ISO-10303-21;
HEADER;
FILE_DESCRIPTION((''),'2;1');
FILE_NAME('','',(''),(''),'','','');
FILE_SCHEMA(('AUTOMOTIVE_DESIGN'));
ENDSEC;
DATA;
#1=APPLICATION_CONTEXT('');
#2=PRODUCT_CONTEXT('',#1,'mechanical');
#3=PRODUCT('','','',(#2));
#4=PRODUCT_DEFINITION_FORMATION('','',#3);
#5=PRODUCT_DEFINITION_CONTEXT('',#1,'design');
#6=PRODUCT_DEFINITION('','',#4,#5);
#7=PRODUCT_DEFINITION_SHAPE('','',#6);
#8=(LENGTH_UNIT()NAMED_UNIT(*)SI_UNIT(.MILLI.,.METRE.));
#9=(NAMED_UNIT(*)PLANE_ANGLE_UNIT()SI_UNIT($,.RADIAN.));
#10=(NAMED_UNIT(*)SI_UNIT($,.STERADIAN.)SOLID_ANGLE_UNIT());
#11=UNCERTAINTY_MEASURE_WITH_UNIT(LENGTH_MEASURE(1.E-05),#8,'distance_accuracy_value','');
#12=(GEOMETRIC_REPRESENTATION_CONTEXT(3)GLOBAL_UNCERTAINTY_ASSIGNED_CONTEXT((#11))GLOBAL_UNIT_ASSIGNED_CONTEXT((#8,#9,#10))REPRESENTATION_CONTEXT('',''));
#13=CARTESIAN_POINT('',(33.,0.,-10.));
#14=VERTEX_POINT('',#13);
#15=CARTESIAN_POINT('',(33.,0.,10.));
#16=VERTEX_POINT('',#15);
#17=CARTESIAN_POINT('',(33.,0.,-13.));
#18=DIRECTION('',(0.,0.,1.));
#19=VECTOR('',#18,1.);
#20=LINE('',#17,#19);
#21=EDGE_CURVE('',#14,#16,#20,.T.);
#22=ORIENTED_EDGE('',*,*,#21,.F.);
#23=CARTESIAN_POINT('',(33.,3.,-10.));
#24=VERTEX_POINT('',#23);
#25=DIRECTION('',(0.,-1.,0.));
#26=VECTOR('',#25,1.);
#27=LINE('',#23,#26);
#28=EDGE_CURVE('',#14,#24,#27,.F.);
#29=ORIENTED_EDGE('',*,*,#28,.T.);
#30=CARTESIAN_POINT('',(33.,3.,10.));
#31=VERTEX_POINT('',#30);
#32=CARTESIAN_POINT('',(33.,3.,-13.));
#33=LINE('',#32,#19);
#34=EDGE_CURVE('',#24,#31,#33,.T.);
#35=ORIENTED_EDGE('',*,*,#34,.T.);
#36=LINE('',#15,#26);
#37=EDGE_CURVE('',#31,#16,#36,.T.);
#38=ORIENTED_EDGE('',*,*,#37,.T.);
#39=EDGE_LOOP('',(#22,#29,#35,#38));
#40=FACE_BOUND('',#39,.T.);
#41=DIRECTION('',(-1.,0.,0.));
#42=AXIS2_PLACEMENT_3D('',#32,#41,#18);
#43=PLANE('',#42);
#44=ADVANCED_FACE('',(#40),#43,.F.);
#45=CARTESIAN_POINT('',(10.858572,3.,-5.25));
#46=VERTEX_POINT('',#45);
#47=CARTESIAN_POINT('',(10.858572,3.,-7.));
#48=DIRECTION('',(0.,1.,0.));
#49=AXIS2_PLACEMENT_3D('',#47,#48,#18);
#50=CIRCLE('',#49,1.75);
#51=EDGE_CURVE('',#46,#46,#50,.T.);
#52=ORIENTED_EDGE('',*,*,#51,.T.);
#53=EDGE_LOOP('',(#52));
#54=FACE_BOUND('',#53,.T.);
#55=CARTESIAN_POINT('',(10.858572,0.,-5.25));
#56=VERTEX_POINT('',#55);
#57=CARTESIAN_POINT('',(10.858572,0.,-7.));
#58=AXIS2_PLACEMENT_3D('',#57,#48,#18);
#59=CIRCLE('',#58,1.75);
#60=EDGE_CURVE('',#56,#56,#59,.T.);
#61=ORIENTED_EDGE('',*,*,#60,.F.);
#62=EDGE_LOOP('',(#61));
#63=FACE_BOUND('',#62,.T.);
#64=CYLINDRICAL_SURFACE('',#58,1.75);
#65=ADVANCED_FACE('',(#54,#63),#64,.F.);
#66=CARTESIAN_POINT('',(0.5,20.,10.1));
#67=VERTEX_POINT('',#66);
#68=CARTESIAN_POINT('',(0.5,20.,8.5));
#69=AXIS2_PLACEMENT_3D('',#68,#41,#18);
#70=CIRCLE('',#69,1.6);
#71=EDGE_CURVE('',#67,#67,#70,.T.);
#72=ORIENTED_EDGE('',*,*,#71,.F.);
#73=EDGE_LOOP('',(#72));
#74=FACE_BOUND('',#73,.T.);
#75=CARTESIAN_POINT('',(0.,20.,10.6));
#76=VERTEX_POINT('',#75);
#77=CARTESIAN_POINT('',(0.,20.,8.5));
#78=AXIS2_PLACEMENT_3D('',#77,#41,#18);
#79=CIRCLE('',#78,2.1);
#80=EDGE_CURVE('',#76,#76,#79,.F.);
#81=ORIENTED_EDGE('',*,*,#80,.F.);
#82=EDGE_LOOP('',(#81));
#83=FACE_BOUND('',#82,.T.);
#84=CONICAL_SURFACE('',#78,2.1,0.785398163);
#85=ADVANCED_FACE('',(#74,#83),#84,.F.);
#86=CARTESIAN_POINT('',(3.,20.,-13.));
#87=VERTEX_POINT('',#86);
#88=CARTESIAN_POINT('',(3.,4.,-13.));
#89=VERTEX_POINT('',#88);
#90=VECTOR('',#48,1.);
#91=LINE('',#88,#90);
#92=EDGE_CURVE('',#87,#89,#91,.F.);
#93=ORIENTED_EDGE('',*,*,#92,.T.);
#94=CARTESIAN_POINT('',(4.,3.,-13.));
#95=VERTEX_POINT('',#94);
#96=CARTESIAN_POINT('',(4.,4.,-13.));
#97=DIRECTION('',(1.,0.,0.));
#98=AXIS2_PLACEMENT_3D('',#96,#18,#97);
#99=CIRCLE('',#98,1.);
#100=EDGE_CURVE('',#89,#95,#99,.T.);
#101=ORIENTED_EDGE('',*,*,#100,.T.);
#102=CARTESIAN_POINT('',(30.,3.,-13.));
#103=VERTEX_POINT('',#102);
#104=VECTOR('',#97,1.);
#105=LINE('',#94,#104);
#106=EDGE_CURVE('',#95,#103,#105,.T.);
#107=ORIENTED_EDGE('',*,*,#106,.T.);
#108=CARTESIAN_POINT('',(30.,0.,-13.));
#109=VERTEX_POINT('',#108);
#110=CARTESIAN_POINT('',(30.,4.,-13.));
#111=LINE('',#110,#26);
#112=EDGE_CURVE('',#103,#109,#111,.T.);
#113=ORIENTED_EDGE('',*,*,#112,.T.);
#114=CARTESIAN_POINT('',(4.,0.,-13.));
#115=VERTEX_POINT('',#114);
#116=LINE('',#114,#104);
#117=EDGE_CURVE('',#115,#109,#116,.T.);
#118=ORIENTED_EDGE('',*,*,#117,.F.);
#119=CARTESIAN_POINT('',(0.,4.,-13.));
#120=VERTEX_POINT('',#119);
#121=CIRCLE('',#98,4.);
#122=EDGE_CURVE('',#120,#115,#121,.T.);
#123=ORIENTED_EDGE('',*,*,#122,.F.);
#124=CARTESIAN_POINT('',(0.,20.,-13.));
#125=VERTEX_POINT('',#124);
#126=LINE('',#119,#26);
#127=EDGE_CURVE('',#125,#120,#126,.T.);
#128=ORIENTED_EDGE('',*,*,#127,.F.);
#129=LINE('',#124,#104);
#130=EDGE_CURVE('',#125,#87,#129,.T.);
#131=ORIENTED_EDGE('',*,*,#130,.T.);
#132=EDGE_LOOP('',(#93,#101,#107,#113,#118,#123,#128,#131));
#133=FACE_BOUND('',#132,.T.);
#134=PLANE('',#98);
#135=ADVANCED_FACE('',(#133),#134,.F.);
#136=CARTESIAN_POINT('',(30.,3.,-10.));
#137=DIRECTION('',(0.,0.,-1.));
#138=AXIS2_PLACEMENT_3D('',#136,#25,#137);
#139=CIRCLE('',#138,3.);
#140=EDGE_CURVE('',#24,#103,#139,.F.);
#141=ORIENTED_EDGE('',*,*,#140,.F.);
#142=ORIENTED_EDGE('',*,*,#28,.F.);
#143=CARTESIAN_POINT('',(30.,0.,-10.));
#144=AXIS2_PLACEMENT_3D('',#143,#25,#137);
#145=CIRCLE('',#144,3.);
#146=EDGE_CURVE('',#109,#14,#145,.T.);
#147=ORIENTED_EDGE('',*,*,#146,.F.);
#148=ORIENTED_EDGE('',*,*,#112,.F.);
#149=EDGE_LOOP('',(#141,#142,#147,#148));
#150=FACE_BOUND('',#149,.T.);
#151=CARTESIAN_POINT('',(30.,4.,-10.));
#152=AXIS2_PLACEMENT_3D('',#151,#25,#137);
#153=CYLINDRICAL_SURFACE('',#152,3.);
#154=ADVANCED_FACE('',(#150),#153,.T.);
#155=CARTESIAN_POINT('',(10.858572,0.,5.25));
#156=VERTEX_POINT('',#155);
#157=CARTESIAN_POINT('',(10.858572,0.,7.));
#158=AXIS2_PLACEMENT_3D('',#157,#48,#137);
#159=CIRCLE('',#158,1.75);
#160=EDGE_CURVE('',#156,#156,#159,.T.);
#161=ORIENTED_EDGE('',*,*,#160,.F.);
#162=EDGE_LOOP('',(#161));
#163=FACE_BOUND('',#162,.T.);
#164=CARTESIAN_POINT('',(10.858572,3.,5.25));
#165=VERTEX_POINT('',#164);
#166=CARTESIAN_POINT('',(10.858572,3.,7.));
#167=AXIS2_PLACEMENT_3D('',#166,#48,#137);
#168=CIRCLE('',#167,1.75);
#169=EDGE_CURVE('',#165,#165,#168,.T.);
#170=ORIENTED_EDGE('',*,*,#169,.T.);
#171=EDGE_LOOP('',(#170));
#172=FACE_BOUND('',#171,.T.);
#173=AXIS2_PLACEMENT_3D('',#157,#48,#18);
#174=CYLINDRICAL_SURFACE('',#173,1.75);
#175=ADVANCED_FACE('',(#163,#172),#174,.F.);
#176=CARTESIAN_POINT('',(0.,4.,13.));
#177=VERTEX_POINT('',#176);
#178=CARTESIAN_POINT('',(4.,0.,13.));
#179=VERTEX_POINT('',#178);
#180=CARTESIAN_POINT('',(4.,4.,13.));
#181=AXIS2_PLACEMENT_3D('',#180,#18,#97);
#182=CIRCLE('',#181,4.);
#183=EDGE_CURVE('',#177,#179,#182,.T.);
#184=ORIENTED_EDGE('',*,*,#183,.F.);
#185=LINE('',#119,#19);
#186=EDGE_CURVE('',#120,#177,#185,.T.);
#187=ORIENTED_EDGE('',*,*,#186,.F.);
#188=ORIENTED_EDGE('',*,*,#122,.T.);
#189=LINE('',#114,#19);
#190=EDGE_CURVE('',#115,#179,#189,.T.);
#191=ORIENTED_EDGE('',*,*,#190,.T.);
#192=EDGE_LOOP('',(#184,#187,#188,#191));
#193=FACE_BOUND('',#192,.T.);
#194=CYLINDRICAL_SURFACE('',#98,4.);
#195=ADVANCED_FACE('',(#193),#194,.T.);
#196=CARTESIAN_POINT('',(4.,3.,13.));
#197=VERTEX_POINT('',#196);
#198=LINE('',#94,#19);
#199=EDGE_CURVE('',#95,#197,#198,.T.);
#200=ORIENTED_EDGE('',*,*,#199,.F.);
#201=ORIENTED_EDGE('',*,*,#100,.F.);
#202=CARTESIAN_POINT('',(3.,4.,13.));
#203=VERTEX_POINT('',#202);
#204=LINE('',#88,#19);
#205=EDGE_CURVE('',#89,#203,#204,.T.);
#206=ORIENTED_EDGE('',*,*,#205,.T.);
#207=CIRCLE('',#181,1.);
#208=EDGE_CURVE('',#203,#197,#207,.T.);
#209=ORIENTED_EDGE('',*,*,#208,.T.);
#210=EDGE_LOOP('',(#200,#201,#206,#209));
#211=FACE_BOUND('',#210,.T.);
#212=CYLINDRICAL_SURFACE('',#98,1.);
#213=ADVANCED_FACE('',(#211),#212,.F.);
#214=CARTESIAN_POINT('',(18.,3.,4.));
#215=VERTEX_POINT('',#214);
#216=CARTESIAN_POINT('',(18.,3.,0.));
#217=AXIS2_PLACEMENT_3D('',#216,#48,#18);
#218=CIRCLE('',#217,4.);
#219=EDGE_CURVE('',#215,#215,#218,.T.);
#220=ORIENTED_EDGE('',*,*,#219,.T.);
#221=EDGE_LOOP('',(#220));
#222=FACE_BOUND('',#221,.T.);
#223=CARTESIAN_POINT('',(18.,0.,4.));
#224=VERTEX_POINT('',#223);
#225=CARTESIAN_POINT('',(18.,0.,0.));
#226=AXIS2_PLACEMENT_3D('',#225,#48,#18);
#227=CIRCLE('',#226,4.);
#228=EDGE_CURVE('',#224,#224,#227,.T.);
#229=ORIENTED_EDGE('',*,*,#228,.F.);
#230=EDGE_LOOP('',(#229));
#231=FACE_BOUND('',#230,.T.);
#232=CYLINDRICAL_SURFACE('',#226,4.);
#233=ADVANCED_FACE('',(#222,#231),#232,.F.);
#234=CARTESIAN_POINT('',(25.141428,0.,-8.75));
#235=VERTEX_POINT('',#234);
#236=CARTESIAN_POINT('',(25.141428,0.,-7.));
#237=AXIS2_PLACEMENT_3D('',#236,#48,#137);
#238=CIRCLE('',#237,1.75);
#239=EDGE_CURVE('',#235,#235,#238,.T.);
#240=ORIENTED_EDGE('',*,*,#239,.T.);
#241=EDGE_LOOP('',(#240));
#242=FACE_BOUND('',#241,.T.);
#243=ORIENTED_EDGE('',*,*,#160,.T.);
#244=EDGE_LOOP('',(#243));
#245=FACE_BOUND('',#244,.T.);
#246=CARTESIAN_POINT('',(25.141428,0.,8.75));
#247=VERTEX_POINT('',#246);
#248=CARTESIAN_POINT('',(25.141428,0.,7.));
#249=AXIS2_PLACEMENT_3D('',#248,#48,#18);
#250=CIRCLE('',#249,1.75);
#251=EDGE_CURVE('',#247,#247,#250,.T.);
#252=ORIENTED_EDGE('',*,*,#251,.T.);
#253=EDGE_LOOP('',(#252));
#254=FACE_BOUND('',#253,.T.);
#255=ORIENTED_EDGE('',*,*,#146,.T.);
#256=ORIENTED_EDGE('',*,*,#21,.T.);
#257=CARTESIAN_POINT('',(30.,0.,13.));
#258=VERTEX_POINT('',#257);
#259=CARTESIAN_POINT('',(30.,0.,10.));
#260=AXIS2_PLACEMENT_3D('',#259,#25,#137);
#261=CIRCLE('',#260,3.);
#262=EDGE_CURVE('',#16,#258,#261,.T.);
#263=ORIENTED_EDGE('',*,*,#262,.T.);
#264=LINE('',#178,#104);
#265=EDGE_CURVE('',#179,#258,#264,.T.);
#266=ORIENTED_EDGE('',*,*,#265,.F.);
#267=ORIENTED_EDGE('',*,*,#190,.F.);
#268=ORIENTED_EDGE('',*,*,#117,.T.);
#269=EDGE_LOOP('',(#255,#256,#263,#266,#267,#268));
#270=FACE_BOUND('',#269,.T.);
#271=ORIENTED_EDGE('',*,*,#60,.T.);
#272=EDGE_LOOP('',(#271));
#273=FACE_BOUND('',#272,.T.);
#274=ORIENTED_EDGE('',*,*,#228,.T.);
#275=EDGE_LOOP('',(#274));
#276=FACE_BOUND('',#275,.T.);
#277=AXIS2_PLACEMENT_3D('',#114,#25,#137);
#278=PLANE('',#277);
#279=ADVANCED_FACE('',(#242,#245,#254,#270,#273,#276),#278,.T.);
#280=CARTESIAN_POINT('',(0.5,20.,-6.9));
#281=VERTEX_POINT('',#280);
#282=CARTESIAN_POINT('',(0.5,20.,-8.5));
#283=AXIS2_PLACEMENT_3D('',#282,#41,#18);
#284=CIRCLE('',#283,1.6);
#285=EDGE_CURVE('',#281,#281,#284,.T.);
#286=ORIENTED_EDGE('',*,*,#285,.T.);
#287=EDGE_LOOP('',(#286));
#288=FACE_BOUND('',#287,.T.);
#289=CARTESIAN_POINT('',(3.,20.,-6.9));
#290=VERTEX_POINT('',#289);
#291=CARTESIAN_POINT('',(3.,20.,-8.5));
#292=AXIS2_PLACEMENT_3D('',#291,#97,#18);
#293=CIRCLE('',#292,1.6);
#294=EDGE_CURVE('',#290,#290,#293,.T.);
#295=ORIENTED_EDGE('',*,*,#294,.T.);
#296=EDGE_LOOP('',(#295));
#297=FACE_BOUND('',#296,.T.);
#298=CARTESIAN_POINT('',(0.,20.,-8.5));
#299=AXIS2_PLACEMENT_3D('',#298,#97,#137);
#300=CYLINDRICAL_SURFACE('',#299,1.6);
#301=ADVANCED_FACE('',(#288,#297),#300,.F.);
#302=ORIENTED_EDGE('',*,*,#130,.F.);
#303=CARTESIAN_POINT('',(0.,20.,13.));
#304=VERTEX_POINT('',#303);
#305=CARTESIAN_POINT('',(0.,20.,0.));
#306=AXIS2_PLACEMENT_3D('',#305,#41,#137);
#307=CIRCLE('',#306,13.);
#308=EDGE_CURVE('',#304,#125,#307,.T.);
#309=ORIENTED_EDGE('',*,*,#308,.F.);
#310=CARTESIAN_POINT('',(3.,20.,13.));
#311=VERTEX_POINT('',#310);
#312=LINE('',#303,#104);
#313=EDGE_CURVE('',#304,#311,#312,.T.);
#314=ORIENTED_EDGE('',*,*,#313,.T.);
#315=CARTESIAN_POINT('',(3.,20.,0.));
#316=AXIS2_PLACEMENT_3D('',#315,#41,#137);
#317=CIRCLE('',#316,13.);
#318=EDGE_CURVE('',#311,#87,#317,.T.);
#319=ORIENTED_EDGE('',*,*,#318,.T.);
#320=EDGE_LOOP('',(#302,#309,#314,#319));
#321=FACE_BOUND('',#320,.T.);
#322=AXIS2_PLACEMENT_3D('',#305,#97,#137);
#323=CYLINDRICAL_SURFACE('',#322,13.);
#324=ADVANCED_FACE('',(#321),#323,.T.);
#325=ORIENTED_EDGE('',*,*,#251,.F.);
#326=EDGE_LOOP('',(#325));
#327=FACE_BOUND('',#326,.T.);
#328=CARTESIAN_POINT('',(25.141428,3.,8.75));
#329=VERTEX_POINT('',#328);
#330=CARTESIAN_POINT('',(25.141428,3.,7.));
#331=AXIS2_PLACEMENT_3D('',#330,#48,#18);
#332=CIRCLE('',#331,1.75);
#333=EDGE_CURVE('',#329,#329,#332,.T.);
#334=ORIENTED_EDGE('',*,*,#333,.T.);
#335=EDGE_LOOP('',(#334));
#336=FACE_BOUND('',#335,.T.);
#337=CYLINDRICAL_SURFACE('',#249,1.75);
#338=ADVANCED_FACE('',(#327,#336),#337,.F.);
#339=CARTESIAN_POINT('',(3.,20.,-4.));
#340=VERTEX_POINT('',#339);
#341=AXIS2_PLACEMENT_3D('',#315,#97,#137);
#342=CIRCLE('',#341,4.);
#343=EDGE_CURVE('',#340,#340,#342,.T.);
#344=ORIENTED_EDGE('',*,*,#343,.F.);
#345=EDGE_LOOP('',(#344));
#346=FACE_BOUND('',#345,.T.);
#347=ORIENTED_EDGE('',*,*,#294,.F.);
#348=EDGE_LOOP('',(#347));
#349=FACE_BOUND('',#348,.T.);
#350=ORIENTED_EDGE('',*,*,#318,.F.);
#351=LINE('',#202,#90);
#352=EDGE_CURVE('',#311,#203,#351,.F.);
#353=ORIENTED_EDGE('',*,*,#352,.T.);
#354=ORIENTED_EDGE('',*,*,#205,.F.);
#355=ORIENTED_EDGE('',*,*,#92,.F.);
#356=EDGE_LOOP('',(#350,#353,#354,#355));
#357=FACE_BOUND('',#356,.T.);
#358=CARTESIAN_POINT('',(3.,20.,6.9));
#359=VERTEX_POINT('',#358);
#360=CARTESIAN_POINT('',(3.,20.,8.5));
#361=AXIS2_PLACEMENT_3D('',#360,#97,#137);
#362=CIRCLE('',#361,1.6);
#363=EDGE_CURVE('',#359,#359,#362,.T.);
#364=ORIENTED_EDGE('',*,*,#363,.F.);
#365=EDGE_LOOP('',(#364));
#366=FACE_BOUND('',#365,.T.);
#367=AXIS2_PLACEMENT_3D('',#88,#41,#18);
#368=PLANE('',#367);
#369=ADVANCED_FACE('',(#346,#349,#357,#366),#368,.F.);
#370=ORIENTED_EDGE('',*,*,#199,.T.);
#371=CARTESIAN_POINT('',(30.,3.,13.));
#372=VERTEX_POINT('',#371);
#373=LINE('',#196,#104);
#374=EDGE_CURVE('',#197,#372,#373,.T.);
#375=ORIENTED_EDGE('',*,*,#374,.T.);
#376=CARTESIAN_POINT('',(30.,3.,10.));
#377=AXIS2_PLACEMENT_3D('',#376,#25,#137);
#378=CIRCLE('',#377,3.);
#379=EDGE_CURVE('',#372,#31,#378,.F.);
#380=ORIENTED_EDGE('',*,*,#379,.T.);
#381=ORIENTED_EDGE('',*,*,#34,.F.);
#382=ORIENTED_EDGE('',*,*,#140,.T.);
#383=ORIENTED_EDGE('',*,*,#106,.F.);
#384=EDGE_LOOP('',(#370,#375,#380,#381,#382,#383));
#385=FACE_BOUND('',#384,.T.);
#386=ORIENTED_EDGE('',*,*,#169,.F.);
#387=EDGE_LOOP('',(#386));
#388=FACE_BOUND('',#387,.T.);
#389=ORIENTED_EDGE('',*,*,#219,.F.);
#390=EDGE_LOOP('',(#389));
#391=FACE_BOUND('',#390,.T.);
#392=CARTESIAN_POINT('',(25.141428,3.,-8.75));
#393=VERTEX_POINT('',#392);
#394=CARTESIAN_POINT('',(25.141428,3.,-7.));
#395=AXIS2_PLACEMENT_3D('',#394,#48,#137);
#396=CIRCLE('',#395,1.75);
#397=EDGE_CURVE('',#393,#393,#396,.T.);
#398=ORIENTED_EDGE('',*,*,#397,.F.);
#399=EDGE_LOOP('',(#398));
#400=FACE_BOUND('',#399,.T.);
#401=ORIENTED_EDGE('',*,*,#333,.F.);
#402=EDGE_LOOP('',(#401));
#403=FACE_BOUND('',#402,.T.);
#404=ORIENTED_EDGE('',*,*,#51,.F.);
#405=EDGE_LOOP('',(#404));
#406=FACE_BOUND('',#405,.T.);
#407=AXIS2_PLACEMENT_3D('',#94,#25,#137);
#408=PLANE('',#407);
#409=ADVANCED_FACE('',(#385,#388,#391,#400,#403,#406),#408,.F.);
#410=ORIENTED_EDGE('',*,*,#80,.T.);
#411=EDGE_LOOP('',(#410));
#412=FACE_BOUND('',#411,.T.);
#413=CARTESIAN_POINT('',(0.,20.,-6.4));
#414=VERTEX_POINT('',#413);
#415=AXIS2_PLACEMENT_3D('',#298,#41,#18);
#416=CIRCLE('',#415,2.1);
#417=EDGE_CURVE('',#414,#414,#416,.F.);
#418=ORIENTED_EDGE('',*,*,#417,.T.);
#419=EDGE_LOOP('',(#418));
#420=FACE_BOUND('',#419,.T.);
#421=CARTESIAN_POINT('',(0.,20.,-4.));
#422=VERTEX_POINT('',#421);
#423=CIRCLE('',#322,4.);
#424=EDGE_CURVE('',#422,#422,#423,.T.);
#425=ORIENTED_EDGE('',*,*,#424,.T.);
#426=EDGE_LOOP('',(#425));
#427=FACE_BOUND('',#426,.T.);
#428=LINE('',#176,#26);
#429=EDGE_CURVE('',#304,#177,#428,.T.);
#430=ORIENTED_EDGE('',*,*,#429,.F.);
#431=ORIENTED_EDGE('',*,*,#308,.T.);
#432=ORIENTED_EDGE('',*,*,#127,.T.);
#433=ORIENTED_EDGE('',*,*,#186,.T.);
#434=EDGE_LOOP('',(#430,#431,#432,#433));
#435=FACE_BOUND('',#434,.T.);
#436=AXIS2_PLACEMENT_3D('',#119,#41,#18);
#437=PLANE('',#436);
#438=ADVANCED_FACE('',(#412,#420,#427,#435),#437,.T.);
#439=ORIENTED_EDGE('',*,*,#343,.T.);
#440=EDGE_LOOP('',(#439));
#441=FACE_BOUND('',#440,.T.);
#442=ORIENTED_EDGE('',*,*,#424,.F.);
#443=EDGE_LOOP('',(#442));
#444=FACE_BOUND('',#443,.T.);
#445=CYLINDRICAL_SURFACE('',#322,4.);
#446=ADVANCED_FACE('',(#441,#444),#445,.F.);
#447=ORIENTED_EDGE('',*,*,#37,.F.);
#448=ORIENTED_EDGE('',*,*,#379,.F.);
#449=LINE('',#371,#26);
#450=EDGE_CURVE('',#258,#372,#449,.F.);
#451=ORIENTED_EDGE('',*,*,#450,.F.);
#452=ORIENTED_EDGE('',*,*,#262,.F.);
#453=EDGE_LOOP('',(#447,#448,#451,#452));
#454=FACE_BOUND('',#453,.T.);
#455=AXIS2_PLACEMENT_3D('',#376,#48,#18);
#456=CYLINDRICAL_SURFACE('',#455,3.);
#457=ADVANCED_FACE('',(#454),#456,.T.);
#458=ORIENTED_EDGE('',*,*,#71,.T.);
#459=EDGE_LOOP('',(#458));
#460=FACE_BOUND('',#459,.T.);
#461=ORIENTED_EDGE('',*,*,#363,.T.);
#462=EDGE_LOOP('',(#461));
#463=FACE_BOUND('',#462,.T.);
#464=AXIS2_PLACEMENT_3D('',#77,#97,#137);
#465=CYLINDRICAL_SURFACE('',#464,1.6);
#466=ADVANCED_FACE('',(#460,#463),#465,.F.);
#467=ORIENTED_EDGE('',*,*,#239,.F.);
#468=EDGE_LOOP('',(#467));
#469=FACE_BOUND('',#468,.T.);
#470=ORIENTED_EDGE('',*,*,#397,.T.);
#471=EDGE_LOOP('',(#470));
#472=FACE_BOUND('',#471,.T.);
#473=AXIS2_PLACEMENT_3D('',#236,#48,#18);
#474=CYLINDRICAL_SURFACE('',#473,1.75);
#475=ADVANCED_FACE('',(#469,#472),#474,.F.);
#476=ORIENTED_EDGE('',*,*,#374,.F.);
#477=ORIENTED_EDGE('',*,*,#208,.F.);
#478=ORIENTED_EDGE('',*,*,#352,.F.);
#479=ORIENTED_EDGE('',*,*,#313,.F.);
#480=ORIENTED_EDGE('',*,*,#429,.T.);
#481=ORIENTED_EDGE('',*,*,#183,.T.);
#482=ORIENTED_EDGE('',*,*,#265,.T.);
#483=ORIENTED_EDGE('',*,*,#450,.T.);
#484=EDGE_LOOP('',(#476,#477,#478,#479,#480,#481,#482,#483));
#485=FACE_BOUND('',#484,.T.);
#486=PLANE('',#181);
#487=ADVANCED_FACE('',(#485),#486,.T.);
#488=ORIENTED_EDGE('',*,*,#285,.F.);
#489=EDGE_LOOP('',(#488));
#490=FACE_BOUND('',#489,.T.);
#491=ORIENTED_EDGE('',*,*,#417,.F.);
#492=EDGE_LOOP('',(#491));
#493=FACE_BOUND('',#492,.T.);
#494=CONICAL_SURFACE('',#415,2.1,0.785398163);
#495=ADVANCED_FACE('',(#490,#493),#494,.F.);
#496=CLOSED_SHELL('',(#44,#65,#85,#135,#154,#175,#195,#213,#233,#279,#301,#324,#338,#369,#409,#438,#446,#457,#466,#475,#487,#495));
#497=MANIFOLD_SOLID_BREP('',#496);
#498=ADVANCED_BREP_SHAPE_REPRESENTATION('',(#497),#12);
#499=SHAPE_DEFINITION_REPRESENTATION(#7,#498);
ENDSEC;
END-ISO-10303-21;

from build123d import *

# Parameters (mm, degrees)
EXTRU_MINCE1_DEPTH      = 13
EXTRU_MINCE1_DEPTH_BACK = 13
ESQUISSE2_R             = 4
ESQUISSE2_R_2           = 1.75
ENL_V_MAT_EXTRU_1_DEPTH = 47.454278597
ESQUISSE3_R             = 4
ESQUISSE3_R_2           = 1.6
ENL_V_MAT_EXTRU_2_DEPTH = 47.454278597
CHANFREIN1_SIZE         = 0.5
CONG_1_R                = 3


with BuildPart() as part:
    # Esquisse1 → Extru.-Mince1 (new, two sides: drawn at the far end of the back side and taken through both)
    with BuildSketch(Plane.XY.offset(-EXTRU_MINCE1_DEPTH_BACK)):
        with BuildLine():
            Line((33, 0), (4, 0))
            ThreePointArc((4, 0), (1.171572875, 1.171572875), (0, 4))
            Line((0, 4), (0, 33))
            Line((0, 33), (3, 33))
            Line((3, 33), (3, 4))
            ThreePointArc((3, 4), (3.292893219, 3.292893219), (4, 3))
            Line((4, 3), (33, 3))
            Line((33, 3), (33, 0))
        make_face()
    extrude(amount=EXTRU_MINCE1_DEPTH + EXTRU_MINCE1_DEPTH_BACK)

    # Esquisse2 → Enlèv. mat.-Extru.1 (cut, through all)
    with BuildSketch(Plane(origin=(0, 3, 0), x_dir=(1, 0, 0), z_dir=(0, 1, 0))):
        with Locations(Location((18, 0, 0), (0, 0, 270))):
            Circle(ESQUISSE2_R)
        with Locations(Location((10.858571571, 7, 0), (0, 0, 270))):
            Circle(ESQUISSE2_R_2)
        with Locations(Location((10.858571571, -7, 0), (0, 0, 90))):
            Circle(ESQUISSE2_R_2)
        with Locations(Location((25.141428429, -7, 0), (0, 0, 270))):
            Circle(ESQUISSE2_R_2)
        with Locations(Location((25.141428429, 7, 0), (0, 0, 90))):
            Circle(ESQUISSE2_R_2)
    extrude(amount=-ENL_V_MAT_EXTRU_1_DEPTH, mode=Mode.SUBTRACT)

    # Esquisse3 → Enlèv. mat.-Extru.2 (cut, through all)
    with BuildSketch(Plane(origin=(3, 0, 0), x_dir=(0, 0, -1), z_dir=(1, 0, 0))):
        with Locations((0, 20)):
            Circle(ESQUISSE3_R)
        with Locations((-8.5, 20)):
            Circle(ESQUISSE3_R_2)
        with Locations(Location((8.5, 20, 0), (0, 0, 180))):
            Circle(ESQUISSE3_R_2)
        with BuildLine():
            Line((13, 20), (15, 20))
            Line((15, 20), (15, 35))
            Line((15, 35), (-15, 35))
            Line((-15, 35), (-15, 20))
            Line((-15, 20), (-13, 20))
            ThreePointArc((-13, 20), (0, 33), (13, 20))
        make_face()
    extrude(amount=-ENL_V_MAT_EXTRU_2_DEPTH, mode=Mode.SUBTRACT)

    # Chanfrein1
    chanfrein1_edges = [part.edges().sort_by_distance(p)[0] for p in [
        (0, 20, -10.1),
        (0, 20, 10.1),
    ]]
    chamfer(chanfrein1_edges, length=CHANFREIN1_SIZE)

    # Congé1
    cong_1_edges = [part.edges().sort_by_distance(p)[0] for p in [
        (33, 1.5, 13),
        (33, 1.5, -13),
    ]]
    fillet(cong_1_edges, radius=CONG_1_R)


solid = part.part
